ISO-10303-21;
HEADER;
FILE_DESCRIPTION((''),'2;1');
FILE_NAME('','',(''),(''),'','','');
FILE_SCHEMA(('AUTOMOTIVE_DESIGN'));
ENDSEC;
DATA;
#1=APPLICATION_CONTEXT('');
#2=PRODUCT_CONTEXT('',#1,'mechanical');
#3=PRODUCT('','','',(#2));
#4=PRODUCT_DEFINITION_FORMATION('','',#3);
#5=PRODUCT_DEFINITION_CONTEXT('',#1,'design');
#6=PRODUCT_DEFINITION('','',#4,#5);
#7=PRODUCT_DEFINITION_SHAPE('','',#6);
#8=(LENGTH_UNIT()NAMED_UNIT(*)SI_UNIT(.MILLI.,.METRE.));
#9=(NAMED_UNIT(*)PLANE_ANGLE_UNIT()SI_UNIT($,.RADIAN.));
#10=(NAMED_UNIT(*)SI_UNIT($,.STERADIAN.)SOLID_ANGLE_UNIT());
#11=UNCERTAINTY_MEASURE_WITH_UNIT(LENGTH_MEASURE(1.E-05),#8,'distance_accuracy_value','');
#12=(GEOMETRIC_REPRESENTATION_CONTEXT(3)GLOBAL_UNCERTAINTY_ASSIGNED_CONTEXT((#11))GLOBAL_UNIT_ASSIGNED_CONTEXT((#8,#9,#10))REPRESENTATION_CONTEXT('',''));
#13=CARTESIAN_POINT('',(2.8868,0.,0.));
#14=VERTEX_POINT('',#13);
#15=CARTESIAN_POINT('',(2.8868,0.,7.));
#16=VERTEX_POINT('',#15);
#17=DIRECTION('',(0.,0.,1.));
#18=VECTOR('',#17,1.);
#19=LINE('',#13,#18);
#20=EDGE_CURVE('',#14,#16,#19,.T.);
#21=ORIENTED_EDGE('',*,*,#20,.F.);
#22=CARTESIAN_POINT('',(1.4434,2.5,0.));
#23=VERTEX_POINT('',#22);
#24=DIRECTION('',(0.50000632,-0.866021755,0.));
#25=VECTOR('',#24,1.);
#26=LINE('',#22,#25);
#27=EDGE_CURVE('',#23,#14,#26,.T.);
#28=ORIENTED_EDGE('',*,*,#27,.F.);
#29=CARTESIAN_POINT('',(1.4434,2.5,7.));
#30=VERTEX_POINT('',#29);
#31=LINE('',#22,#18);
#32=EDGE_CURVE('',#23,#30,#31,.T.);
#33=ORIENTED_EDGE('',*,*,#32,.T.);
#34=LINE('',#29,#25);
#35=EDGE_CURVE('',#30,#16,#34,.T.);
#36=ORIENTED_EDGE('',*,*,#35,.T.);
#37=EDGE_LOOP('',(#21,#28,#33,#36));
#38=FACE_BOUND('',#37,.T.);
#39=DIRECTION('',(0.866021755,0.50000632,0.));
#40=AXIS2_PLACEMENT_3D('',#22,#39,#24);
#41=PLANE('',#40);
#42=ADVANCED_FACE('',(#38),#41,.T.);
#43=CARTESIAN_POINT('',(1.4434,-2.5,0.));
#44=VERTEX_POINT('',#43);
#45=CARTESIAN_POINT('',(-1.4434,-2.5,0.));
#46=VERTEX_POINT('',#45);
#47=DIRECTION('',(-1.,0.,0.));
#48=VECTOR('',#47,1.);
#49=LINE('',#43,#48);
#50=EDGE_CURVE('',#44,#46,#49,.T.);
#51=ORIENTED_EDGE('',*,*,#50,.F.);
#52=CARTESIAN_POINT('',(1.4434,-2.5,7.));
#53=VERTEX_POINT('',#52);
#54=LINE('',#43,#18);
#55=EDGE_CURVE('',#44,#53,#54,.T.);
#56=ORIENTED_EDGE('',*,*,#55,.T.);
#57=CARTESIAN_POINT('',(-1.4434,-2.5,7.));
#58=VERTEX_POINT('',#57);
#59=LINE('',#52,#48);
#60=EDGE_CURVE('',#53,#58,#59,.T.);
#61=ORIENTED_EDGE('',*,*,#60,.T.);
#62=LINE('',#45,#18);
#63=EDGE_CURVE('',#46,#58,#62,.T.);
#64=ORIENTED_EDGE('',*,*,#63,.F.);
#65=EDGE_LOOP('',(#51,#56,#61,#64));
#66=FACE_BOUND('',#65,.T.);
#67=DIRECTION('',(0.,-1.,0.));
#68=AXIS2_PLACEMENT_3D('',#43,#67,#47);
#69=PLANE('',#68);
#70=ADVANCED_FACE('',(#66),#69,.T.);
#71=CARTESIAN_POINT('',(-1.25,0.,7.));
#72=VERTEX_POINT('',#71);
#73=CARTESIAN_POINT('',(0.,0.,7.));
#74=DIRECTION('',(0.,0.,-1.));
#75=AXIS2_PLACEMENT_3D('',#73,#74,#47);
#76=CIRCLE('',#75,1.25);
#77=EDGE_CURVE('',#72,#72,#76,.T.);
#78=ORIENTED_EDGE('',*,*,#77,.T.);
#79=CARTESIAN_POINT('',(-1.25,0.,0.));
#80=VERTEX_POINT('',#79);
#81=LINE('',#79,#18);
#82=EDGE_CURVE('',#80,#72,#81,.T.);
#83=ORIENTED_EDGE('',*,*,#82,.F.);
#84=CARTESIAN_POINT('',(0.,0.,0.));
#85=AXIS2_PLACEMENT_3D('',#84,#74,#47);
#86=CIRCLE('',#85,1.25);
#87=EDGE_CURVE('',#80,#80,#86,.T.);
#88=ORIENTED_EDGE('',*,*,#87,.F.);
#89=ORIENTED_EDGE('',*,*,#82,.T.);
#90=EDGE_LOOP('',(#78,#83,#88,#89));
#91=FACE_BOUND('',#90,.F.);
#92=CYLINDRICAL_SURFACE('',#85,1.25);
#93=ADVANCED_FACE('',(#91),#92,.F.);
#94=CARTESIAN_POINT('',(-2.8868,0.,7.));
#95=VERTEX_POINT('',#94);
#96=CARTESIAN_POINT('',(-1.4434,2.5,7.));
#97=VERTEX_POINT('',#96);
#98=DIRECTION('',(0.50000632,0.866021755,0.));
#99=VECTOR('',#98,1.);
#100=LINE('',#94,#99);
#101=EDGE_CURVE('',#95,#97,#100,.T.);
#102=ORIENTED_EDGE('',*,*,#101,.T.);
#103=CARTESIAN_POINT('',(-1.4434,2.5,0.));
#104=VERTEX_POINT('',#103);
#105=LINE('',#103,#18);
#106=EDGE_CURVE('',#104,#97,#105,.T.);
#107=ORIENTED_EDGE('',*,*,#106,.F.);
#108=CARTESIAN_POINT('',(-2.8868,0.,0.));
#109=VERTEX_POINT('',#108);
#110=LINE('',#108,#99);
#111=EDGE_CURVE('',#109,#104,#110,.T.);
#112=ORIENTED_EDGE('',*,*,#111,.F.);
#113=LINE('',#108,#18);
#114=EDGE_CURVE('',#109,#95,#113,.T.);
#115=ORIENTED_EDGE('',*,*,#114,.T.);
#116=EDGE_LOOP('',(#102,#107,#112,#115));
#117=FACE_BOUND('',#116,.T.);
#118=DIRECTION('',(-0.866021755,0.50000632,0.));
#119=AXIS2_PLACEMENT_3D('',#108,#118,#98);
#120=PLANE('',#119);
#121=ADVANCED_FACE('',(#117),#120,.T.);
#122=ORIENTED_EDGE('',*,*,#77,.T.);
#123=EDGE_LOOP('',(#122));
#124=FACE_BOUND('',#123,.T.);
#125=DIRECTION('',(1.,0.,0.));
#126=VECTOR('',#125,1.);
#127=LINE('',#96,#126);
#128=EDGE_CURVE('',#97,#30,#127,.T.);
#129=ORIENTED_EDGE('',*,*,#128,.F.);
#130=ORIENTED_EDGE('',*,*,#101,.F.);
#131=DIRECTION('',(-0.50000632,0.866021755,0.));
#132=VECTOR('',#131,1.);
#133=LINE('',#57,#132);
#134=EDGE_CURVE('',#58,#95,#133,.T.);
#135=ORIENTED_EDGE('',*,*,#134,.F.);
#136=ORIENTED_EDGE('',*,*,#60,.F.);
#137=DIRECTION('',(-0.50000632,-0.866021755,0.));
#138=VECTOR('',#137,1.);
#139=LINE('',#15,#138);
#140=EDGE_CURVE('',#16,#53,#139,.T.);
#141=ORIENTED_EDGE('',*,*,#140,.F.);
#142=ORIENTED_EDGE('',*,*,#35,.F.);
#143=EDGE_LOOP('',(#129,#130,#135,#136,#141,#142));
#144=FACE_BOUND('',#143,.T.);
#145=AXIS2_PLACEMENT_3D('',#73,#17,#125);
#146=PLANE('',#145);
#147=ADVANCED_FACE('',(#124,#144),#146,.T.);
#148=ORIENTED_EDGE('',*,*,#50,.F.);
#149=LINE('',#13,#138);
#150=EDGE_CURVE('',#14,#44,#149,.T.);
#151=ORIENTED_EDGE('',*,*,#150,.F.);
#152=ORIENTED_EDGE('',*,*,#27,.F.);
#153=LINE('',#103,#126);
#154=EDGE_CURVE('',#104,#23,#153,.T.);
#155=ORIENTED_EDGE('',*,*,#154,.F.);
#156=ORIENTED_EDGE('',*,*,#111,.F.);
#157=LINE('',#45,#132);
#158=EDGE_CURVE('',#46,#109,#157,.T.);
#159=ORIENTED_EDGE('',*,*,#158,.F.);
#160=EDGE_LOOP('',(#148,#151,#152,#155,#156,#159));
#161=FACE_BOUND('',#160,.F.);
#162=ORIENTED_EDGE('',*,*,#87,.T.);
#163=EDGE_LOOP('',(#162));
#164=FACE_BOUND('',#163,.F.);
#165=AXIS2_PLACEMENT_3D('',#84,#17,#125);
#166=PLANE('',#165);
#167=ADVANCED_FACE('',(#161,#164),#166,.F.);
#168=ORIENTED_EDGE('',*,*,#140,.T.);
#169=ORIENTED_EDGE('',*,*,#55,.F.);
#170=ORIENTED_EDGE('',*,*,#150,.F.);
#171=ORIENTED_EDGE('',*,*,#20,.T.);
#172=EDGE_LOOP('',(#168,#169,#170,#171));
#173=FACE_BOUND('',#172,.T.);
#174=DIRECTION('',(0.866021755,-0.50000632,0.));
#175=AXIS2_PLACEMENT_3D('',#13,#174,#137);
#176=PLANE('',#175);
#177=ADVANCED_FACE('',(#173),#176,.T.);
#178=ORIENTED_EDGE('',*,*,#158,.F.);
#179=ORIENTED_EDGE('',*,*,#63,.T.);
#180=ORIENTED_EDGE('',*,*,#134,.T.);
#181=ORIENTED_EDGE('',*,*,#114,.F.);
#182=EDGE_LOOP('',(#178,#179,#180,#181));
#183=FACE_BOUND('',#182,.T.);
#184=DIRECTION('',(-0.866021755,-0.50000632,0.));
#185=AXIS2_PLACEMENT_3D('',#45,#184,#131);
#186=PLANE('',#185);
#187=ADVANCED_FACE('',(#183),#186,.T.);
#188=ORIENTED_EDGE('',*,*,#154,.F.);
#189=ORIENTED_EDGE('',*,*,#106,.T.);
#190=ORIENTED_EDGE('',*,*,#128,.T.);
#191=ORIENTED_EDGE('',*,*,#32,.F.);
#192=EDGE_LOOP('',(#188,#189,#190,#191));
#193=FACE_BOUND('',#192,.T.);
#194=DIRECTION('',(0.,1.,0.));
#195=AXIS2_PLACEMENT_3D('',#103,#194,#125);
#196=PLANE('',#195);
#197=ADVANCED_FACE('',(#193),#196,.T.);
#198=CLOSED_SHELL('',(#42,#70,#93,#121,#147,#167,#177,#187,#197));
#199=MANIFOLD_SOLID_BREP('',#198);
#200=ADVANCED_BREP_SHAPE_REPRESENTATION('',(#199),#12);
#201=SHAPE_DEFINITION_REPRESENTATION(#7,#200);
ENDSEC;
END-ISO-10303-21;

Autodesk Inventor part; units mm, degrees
ref_plane "YZ Plane" through (0, 0, 0) normal (1, 0, 0) x (0, 1, 0)
ref_plane "XZ Plane" through (0, 0, 0) normal (0, 1, 0) x (-1, 0, 0)
ref_plane "XY Plane" through (0, 0, 0) normal (0, 0, 1) x (1, 0, 0)
sketch "Sketch1" plane through (0, 0, 0) normal (0, 0, 1) x (1, 0, 0)
  line L0 (2.8868, 0) -> (1.4434, -2.5)
  line L1 (1.4434, -2.5) -> (-1.4434, -2.5)
  line L2 (-1.4434, -2.5) -> (-2.8868, 0)
  line L3 (-2.8868, 0) -> (-1.4434, 2.5)
  line L4 (-1.4434, 2.5) -> (1.4434, 2.5)
  line L5 (1.4434, 2.5) -> (2.8868, 0)
  point P0 (0, 0)
  point P1 (0, 0)
  dimension "d0" = 5
extrude "Extrusion1" add sketch "Sketch1" along normal blind 7
sketch "Sketch3" plane through (0, 0, 0) normal (0, 0, -1) x (-1, 0, 0)
  circle A0 centre (0, 0) radius 1.25
  dimension "d6" = 2.5
extrude "Extrusion3" cut sketch "Sketch3" against normal through all
properties part number "M2.5x7mm_Standoff_ 970070151"
